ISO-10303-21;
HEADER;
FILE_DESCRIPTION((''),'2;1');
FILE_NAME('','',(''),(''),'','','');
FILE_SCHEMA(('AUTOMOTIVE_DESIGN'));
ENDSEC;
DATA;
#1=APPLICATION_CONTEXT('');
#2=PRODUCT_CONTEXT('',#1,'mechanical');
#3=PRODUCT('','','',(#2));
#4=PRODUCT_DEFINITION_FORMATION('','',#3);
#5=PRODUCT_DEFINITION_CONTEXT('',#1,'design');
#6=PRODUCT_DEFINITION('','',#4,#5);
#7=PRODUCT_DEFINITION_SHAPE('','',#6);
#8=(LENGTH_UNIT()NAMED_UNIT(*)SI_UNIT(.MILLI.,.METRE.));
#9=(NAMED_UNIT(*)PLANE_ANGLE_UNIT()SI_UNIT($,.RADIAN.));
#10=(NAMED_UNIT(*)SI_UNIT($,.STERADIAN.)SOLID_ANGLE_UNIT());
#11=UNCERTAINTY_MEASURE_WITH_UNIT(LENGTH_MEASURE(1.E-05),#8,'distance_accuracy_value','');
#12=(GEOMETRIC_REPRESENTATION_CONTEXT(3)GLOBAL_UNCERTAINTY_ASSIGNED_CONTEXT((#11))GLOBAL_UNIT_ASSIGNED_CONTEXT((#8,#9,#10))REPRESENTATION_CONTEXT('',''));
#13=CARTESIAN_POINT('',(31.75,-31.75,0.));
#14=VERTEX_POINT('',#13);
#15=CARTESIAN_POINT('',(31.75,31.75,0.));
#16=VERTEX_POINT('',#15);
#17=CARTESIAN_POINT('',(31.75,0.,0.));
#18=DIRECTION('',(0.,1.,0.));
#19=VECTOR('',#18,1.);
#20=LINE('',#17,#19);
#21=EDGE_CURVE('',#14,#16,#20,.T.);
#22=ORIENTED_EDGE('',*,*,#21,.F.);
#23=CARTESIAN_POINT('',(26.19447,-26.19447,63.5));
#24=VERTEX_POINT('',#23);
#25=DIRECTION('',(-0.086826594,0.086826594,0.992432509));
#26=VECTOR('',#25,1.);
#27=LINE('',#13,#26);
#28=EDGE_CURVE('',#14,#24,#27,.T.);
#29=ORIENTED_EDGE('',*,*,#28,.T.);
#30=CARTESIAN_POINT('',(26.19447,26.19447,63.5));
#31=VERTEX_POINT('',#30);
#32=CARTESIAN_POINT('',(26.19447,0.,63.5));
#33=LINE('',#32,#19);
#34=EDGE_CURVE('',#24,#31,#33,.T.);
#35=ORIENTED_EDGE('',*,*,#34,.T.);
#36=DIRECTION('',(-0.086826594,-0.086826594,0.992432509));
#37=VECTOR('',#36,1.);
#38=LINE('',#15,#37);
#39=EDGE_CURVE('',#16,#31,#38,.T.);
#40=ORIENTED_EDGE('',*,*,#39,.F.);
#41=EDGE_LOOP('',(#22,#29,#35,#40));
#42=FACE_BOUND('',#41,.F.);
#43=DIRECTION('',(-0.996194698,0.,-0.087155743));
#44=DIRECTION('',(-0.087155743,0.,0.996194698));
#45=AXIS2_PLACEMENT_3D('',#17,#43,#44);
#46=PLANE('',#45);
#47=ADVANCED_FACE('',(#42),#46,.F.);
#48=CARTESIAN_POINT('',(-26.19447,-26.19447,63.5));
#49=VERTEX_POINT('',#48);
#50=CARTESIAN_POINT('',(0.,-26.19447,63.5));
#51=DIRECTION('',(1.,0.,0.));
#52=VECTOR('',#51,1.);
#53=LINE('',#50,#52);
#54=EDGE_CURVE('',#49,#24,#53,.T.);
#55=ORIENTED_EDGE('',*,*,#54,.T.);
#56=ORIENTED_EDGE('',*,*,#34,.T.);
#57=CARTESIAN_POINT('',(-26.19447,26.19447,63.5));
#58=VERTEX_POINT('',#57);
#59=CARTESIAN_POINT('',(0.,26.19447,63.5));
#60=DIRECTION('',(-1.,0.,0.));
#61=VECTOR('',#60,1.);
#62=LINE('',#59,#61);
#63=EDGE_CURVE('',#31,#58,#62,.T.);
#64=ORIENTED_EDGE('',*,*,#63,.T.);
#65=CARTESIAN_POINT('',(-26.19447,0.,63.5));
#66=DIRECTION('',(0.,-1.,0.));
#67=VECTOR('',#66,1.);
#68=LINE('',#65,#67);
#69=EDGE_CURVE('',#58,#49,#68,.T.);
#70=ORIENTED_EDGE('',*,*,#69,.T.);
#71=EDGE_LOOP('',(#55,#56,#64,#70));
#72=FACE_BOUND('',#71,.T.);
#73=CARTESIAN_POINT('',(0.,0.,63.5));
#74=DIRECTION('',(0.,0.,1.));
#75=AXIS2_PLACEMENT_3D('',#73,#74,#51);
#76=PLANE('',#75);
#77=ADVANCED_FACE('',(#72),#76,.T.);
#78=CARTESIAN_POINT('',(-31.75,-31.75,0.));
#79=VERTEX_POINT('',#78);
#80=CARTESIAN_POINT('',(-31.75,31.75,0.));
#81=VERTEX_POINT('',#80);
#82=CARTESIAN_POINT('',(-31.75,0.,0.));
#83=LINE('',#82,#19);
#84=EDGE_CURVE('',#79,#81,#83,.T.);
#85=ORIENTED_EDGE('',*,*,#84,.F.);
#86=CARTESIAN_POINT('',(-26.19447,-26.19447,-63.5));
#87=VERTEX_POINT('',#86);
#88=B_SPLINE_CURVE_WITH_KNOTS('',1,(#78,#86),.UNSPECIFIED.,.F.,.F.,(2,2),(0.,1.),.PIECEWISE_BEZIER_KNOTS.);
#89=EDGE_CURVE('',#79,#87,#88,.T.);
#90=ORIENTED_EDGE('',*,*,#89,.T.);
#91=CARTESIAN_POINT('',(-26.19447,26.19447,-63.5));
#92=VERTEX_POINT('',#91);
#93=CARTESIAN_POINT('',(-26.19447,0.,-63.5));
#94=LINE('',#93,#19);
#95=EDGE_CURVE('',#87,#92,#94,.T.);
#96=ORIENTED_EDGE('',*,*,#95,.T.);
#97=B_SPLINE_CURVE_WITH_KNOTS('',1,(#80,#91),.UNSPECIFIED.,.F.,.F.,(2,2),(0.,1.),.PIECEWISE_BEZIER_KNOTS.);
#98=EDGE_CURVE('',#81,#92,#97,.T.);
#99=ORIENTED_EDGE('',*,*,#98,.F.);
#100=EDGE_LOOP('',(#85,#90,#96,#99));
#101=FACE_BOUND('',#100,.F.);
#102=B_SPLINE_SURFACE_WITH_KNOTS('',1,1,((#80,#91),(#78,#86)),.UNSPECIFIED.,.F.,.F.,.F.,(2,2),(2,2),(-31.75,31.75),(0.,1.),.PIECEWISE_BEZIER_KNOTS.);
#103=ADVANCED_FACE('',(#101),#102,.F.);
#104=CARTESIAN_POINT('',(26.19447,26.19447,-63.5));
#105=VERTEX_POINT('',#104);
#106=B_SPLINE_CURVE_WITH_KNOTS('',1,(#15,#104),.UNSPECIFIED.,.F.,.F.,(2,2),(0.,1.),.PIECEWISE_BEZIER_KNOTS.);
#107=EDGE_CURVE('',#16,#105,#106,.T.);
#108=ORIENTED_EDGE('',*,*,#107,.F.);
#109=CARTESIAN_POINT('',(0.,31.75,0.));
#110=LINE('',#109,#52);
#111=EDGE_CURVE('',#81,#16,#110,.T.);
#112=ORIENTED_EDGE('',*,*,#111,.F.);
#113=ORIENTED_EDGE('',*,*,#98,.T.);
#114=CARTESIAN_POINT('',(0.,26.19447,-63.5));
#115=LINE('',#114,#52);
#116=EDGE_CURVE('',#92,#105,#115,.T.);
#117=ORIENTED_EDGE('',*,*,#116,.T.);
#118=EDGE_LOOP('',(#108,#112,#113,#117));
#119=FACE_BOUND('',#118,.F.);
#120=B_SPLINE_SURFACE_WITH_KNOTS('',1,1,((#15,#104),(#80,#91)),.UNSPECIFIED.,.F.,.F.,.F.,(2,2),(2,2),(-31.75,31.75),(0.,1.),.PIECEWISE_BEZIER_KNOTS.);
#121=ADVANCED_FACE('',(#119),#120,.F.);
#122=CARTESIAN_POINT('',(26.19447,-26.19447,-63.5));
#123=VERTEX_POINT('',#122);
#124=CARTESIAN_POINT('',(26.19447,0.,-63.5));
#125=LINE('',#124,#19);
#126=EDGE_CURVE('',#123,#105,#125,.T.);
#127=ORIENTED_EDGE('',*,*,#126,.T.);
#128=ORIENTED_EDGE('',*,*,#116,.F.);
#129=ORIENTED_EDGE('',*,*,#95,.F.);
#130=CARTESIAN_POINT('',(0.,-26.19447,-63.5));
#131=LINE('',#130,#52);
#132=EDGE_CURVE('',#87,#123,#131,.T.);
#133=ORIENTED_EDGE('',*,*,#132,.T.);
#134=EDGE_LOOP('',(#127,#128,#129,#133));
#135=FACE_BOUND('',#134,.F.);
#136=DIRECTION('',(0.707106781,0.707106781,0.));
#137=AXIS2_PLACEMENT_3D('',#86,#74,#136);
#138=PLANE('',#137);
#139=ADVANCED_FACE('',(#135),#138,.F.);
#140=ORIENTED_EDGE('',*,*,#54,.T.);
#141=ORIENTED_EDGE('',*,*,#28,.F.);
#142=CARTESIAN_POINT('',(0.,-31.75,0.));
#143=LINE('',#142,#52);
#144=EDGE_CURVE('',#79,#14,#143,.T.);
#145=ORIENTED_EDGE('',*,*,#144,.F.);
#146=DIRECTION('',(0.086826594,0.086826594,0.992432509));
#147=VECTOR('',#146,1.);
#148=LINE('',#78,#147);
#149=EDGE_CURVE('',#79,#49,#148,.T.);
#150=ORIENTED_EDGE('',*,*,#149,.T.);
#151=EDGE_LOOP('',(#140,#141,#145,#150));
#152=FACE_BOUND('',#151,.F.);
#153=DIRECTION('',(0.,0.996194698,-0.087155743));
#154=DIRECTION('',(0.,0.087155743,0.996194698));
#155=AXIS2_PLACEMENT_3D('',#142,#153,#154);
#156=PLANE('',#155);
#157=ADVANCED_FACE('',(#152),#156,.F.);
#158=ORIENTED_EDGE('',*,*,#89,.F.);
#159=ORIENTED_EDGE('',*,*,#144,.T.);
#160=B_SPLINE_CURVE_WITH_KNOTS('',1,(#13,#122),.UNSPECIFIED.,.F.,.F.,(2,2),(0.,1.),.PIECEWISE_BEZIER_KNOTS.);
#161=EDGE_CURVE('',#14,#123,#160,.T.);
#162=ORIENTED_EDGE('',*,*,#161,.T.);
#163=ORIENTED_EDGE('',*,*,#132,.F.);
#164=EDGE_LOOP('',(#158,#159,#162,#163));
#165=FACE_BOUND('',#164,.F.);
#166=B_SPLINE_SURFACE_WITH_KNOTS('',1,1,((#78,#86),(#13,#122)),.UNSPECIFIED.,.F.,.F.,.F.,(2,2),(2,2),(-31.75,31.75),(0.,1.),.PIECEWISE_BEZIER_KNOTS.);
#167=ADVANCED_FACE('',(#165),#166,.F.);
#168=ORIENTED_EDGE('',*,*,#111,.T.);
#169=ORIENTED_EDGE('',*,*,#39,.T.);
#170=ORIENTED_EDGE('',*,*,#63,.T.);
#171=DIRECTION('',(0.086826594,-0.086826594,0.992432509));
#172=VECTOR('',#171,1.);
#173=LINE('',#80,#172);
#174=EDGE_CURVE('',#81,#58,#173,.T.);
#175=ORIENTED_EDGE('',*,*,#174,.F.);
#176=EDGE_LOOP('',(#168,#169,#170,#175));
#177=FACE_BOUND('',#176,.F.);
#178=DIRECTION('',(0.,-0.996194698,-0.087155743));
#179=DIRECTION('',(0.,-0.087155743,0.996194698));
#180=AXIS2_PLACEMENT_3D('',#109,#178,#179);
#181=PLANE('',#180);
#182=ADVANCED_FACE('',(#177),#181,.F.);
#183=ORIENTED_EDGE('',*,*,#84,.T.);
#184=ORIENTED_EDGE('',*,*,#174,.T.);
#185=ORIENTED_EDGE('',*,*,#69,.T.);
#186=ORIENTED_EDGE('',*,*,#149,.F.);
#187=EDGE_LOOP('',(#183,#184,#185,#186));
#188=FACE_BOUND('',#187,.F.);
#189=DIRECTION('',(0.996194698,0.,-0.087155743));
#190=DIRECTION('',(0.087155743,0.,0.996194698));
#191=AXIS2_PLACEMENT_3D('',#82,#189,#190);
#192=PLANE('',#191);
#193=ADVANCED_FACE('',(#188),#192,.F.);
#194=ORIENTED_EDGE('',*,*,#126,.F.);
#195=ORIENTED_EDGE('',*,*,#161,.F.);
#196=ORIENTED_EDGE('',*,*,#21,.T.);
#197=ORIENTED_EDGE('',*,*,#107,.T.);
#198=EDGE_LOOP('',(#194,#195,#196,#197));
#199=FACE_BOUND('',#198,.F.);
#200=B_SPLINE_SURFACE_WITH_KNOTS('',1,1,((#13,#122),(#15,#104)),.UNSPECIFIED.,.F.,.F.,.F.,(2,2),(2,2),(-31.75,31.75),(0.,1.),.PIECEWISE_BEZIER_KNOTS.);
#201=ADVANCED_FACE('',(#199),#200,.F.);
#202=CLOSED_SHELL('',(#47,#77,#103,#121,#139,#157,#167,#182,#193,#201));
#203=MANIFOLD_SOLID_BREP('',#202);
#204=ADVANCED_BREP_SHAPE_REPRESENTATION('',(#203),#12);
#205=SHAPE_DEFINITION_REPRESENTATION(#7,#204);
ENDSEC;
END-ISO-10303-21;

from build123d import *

# Parameters (mm, degrees)
F0_W     = 63.5
F0_H     = 63.5
F1_DEPTH = 63.5
F1_TAPER = 5


with BuildPart() as f1:
    # F0 (on Top) → F1 (new body, symmetric)
    with BuildSketch(Plane.XY):
        Rectangle(F0_W, F0_H)
    extrude(amount=F1_DEPTH, both=True, taper=F1_TAPER)


solid = f1.part
